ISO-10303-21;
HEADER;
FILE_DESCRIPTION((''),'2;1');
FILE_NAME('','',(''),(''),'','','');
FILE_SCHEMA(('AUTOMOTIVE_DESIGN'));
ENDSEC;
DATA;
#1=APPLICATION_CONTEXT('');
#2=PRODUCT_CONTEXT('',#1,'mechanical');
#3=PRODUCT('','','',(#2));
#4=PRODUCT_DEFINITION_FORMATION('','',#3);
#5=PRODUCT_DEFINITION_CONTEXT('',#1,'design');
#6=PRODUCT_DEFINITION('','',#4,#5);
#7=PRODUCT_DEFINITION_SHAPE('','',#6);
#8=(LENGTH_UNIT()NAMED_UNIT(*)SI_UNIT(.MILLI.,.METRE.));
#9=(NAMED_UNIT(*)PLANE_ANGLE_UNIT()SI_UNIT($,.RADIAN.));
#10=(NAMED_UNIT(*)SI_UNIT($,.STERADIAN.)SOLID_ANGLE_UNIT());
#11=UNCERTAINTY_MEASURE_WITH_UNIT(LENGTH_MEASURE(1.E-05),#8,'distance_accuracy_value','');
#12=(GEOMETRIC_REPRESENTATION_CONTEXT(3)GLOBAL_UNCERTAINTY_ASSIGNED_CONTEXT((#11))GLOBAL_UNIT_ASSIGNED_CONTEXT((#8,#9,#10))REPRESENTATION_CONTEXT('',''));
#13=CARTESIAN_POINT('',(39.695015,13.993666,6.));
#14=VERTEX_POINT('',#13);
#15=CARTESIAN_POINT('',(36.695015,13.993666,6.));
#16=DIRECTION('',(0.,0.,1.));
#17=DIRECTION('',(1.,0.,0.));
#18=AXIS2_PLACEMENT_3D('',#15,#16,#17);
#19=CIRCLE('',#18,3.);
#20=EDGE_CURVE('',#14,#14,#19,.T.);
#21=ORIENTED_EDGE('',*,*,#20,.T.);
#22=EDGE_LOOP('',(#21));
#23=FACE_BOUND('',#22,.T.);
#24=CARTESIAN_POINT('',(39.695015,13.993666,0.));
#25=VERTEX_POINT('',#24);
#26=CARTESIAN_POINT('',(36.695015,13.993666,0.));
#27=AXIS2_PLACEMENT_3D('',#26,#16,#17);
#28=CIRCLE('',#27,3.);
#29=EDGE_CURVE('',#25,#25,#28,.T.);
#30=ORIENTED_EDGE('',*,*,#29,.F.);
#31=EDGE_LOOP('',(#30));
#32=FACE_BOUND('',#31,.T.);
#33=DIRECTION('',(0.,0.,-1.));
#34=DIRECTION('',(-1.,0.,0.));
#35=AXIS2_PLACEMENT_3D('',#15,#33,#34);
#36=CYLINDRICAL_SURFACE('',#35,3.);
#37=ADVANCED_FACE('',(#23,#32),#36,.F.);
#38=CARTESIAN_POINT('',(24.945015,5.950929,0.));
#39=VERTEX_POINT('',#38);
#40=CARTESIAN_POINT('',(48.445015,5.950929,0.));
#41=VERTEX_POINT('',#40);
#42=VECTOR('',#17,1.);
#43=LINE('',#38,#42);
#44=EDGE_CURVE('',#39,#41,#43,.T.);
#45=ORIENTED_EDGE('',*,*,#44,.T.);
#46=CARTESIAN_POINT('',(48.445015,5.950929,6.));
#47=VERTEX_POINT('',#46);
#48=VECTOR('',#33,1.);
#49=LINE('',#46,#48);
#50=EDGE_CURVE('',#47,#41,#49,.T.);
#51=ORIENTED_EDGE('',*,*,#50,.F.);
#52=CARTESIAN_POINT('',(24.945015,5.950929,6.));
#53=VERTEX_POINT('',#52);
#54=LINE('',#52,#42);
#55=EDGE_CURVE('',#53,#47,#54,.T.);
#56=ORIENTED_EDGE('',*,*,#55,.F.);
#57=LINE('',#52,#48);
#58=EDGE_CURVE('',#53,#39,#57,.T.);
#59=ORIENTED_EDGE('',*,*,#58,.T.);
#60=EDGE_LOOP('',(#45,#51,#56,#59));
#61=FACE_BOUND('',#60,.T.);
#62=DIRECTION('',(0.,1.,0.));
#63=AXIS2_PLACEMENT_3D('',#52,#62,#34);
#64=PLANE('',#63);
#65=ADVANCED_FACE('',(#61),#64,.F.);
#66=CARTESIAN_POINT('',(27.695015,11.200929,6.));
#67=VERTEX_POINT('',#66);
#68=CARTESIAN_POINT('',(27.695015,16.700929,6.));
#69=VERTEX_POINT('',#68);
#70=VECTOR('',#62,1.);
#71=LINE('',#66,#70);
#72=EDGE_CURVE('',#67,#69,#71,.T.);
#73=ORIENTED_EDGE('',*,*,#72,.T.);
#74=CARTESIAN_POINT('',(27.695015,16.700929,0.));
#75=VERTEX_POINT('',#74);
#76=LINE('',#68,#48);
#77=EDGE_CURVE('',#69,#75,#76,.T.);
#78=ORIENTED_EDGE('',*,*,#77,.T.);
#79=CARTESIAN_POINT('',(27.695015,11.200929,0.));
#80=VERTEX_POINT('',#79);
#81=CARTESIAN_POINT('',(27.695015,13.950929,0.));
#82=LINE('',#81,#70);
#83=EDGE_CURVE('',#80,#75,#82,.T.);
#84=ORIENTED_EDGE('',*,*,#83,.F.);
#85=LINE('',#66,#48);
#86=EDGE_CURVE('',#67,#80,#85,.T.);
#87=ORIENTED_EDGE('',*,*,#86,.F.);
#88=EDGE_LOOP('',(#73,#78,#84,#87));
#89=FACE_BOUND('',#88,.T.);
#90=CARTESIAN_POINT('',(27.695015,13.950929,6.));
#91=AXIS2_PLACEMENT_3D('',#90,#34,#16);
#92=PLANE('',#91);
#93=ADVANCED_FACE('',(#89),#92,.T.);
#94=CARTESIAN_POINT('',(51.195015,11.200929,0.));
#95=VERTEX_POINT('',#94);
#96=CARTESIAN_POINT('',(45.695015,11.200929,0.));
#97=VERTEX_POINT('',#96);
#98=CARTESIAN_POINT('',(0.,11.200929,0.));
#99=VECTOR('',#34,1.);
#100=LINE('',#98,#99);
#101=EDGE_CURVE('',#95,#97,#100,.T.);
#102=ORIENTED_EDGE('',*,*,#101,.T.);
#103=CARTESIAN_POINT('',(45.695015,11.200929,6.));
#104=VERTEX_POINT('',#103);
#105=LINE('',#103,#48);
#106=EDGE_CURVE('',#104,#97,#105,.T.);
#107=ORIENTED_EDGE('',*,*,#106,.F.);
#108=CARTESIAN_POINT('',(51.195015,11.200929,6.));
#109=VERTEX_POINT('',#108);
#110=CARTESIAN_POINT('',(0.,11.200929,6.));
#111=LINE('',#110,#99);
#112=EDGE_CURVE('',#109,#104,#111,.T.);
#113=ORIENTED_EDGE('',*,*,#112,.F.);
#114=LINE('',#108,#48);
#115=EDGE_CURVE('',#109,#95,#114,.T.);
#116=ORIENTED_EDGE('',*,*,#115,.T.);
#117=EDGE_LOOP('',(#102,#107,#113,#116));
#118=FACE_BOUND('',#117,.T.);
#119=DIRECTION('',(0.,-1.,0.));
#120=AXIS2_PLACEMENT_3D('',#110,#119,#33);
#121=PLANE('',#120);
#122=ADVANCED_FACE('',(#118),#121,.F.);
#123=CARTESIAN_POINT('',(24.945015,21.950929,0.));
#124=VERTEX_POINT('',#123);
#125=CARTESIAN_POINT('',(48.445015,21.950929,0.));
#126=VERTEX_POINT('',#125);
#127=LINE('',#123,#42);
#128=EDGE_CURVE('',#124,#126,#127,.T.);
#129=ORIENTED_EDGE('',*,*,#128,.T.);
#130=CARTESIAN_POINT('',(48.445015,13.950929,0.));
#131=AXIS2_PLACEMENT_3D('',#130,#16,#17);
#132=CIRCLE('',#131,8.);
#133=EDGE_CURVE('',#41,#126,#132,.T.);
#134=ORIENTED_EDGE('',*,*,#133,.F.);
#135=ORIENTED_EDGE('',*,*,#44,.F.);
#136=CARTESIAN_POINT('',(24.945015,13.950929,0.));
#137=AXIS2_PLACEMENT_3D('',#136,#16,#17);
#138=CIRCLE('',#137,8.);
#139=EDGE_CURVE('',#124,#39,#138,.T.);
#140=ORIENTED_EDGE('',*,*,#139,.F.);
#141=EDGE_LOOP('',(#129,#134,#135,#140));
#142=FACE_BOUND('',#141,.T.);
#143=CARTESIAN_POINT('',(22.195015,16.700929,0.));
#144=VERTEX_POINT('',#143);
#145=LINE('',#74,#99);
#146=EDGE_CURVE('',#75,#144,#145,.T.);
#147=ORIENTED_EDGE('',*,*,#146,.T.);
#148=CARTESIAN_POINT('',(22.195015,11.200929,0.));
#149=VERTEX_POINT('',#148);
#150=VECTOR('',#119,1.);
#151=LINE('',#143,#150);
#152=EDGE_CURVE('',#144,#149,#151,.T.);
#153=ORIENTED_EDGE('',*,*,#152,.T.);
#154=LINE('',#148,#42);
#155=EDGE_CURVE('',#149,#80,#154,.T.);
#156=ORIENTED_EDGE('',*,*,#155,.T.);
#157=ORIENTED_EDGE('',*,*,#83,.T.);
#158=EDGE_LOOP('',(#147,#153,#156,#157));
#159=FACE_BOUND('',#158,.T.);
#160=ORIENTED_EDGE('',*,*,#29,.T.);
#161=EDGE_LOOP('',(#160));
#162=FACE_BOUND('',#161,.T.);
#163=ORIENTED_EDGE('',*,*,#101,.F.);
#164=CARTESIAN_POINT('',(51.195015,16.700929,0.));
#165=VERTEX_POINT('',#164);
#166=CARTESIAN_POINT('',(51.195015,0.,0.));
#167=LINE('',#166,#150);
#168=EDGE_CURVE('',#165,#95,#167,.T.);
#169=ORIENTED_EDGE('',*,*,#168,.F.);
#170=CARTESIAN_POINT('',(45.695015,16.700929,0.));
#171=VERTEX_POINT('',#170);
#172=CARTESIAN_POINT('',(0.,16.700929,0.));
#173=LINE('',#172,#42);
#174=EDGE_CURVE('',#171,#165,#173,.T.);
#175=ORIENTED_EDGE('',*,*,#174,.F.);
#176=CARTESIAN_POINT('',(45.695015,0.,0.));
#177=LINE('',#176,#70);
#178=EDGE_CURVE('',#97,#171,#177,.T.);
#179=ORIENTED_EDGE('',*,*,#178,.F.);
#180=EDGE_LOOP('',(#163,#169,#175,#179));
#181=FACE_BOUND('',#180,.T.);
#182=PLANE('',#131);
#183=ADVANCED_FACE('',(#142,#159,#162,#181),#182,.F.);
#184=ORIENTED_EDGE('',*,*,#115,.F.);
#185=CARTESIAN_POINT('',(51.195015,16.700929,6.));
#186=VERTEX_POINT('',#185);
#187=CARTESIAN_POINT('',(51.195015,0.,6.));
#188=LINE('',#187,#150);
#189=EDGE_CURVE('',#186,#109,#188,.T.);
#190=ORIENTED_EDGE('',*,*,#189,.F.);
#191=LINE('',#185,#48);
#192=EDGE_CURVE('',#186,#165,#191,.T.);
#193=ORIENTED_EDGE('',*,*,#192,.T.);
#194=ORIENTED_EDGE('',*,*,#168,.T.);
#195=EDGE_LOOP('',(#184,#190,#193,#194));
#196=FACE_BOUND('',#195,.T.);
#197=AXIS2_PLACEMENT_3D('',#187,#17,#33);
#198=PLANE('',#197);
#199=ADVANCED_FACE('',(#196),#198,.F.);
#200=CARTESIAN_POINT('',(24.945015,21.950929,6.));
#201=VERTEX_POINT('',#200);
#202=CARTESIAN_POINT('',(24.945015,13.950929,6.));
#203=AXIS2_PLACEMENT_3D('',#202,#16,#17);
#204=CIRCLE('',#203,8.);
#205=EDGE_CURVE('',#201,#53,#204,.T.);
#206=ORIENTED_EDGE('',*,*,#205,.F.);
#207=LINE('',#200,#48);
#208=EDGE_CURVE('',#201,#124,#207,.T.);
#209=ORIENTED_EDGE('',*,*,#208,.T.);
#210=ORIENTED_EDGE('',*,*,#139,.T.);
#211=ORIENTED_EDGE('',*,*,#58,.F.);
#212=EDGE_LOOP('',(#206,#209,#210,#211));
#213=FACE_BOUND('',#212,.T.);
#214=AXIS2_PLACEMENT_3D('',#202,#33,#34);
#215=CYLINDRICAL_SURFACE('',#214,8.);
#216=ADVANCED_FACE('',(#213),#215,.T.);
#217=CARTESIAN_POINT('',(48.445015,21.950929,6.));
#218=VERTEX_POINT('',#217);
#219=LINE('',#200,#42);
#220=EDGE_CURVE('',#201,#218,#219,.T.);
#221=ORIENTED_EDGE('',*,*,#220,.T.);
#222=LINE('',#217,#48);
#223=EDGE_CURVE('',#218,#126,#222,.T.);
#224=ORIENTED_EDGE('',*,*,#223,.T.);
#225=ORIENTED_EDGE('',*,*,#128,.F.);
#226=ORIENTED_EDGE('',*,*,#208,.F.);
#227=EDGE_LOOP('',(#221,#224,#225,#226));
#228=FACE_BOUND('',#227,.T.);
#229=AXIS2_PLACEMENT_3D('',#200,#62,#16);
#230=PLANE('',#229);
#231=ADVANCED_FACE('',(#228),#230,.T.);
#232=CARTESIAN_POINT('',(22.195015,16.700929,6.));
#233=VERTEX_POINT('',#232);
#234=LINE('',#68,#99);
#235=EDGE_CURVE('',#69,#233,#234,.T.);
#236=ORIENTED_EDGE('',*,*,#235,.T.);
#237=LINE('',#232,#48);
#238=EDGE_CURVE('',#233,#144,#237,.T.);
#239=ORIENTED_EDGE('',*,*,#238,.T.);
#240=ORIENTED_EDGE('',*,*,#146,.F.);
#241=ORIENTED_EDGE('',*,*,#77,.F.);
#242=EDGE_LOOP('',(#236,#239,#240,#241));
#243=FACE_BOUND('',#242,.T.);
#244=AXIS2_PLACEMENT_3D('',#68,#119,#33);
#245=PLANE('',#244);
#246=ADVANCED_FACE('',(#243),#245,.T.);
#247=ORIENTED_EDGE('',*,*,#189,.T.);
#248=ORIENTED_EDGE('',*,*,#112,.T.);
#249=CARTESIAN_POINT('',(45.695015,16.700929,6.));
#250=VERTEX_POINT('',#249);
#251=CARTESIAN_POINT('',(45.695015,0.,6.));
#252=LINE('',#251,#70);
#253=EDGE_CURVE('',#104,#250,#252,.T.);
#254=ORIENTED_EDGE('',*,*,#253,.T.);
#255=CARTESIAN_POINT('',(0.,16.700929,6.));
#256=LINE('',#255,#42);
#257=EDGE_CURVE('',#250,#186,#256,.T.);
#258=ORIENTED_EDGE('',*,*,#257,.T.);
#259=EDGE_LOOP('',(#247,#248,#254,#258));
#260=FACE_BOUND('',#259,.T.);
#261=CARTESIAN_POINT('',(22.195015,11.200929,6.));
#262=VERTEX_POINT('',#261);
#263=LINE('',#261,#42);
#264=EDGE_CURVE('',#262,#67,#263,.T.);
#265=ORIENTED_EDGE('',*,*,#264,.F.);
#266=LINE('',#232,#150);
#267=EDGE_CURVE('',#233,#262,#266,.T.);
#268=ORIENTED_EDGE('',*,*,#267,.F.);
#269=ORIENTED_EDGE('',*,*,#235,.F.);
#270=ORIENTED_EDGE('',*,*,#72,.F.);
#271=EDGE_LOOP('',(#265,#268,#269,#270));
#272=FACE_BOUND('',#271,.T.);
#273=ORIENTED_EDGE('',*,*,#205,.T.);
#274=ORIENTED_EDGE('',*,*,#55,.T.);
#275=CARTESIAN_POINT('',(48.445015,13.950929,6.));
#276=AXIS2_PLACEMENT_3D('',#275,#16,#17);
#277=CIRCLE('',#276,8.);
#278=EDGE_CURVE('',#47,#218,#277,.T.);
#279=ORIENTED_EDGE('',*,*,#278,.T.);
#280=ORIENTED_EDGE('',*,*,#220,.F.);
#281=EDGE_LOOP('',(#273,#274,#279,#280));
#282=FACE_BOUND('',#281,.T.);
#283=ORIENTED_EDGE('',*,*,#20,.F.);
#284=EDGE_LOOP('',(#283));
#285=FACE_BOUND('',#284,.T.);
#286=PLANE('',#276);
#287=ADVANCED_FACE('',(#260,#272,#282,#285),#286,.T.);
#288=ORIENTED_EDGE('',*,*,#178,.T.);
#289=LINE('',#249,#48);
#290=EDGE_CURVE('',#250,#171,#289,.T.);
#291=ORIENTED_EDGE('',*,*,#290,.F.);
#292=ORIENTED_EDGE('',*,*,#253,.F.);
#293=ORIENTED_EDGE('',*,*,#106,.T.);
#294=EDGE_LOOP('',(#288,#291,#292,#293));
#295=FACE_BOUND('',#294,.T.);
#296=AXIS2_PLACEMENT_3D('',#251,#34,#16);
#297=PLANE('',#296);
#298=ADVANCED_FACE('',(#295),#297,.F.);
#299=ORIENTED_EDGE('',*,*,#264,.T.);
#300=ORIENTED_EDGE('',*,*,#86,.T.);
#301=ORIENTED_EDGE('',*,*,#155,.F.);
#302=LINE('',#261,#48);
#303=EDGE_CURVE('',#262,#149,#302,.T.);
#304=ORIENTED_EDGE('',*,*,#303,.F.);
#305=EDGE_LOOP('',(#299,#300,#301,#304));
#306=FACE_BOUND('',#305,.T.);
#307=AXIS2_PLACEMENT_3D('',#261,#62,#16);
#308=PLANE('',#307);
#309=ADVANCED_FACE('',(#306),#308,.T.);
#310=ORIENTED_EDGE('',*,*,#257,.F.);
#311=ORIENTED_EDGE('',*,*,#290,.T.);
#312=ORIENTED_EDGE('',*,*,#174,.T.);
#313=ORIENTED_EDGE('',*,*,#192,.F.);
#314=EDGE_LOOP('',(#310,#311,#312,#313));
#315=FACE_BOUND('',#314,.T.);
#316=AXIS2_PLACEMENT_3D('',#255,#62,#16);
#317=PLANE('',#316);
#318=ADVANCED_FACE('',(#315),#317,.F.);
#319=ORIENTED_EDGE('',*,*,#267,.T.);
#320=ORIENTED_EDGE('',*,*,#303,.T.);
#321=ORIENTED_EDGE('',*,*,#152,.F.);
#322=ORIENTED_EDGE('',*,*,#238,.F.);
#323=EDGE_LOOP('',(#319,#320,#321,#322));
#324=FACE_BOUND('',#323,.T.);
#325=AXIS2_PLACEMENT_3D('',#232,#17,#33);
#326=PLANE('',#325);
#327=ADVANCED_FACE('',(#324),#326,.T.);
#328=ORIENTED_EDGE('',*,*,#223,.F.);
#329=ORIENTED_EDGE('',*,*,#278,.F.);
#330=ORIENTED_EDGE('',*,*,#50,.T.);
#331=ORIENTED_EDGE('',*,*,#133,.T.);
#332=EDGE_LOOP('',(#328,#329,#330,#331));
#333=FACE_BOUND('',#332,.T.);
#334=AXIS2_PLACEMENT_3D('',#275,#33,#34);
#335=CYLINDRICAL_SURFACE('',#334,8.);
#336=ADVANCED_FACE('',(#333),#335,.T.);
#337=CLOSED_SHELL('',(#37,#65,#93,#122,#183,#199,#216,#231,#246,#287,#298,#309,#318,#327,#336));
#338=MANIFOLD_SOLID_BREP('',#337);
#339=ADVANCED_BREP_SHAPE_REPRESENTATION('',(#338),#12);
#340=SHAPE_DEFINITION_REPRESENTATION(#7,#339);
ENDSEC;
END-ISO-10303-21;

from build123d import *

# Parameters (mm, degrees)
MODEL_R             = 3
BOSS_EXTRUDE1_DEPTH = 6


with BuildPart() as part:
    # Model → Boss-Extrude1 (new body)
    with BuildSketch(Plane.XY):
        with BuildLine():
            Line((24.94501548, 21.95092931), (48.44501548, 21.95092931))
            ThreePointArc((48.44501548, 21.95092931), (56.44501548, 13.95092931), (48.44501548, 5.95092931))
            Line((48.44501548, 5.95092931), (24.94501548, 5.95092931))
            ThreePointArc((24.94501548, 5.95092931), (16.94501548, 13.95092931), (24.94501548, 21.95092931))
        make_face()
        with Locations((36.69501548, 13.993666272)):
            Circle(MODEL_R, mode=Mode.SUBTRACT)
        Polygon((27.69501548, 13.95092931), (27.69501548, 16.70092931), (22.19501548, 16.70092931), (22.19501548, 11.20092931), (27.69501548, 11.20092931), align=None, mode=Mode.SUBTRACT)
        Polygon((45.69501548, 13.95092931), (45.69501548, 16.70092931), (51.19501548, 16.70092931), (51.19501548, 11.20092931), (45.69501548, 11.20092931), align=None, mode=Mode.SUBTRACT)
    extrude(amount=BOSS_EXTRUDE1_DEPTH)


solid = part.part
